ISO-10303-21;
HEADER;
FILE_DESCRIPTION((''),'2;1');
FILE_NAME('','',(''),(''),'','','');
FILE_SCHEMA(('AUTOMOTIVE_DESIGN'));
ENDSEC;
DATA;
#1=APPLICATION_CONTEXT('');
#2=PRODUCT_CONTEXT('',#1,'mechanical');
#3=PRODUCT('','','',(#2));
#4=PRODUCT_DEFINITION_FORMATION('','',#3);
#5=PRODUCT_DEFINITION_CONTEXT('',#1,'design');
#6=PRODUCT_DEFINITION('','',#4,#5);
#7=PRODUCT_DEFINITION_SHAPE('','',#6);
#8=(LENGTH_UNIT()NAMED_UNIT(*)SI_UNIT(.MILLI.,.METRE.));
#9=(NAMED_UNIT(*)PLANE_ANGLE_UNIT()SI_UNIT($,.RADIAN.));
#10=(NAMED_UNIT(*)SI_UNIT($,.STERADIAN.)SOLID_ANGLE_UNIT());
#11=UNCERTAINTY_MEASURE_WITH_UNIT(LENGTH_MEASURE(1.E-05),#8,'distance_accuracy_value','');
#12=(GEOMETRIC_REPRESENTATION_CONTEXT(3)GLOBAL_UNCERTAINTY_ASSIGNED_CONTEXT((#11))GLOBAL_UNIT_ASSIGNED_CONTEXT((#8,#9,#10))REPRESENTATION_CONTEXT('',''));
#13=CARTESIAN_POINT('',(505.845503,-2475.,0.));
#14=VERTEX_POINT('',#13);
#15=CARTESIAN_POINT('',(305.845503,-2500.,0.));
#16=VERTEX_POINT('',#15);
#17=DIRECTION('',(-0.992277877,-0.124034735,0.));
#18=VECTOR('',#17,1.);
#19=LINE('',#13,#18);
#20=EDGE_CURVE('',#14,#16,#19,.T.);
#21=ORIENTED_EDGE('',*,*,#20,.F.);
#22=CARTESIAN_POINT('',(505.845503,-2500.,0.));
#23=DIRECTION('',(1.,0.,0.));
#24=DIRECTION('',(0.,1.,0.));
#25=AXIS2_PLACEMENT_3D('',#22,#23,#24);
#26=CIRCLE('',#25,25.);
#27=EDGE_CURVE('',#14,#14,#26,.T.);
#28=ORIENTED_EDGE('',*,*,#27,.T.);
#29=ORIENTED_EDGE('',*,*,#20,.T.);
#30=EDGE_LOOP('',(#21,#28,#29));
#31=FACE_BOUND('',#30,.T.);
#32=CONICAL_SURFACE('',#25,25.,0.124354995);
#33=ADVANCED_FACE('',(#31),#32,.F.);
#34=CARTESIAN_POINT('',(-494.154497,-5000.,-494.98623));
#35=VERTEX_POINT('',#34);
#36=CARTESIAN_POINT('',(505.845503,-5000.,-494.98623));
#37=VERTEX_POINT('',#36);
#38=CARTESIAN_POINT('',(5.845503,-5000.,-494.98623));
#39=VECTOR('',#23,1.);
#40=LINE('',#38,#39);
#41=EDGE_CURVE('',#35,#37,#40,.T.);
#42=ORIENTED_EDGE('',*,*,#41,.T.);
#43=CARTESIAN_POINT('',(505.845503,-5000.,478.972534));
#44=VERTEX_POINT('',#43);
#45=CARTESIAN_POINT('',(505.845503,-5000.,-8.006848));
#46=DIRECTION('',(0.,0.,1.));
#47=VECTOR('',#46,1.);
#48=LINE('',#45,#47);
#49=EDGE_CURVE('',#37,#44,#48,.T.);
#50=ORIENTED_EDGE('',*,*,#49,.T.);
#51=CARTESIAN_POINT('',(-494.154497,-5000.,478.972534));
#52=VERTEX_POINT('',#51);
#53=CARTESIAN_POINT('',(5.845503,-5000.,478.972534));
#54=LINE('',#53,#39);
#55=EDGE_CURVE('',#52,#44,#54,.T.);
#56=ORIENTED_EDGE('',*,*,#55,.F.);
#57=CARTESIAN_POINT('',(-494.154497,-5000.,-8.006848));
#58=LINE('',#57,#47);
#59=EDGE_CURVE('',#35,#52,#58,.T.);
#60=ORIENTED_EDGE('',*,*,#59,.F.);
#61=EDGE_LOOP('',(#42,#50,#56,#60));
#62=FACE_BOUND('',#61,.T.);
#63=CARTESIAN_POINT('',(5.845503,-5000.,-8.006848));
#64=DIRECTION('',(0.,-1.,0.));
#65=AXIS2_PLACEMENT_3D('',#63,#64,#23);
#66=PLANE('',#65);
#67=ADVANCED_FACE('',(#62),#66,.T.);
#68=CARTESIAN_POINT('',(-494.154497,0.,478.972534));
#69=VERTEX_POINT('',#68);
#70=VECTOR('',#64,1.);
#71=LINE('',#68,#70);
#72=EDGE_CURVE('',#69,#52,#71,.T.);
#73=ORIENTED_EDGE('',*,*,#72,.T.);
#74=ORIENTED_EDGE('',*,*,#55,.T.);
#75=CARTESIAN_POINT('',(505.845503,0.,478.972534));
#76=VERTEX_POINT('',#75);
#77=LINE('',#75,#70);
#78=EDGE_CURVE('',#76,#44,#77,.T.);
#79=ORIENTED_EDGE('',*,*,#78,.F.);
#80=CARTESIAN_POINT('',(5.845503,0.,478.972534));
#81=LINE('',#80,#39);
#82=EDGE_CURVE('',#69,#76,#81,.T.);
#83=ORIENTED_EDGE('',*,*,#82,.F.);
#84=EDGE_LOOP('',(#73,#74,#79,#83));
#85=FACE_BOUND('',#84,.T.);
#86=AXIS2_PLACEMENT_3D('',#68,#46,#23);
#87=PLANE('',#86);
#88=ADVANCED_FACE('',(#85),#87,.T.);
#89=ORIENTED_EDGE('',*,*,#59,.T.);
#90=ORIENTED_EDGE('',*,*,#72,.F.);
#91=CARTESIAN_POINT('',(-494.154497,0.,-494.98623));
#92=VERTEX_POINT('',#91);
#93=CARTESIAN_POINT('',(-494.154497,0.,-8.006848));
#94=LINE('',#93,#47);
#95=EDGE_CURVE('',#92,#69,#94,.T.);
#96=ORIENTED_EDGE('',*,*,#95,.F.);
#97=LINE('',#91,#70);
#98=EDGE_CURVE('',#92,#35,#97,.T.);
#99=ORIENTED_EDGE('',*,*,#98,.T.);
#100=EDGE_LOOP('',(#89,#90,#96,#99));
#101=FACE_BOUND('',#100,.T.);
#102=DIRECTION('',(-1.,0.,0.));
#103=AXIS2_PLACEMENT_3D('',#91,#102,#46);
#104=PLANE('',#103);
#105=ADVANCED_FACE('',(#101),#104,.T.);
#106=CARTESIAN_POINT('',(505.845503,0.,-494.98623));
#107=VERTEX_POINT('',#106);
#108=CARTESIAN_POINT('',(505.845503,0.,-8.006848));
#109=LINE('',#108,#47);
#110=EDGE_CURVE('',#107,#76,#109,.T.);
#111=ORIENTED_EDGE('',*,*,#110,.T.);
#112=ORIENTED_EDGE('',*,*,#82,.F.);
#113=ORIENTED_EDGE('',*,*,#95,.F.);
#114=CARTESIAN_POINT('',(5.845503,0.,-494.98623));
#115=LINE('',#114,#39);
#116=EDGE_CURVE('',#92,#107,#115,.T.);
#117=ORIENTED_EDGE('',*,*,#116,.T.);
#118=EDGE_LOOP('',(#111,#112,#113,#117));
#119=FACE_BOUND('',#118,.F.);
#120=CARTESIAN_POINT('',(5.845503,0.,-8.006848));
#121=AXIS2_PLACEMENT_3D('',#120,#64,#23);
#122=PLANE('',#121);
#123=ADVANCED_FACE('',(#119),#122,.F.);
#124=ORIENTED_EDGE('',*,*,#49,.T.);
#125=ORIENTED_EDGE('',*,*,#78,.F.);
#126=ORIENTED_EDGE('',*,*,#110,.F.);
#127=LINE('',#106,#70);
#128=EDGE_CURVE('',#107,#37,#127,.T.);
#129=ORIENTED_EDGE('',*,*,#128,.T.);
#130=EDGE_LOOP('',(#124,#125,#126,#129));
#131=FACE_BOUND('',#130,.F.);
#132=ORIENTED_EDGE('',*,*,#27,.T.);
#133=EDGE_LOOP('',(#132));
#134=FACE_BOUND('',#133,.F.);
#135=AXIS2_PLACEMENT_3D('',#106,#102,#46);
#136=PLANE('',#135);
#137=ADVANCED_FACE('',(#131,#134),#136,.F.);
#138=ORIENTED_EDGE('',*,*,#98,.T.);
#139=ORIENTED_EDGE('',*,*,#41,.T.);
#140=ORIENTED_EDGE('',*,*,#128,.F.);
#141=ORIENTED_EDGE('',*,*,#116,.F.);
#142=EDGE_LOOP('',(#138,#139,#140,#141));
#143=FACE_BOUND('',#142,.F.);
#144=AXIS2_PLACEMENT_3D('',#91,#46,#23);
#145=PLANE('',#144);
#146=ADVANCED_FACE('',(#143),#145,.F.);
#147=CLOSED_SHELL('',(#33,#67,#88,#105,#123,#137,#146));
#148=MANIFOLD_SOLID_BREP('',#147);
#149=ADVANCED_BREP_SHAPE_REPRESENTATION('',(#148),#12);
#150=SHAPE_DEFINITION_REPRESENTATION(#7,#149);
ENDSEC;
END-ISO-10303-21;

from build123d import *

# Parameters (mm, degrees)
F0_W     = 1000
F0_H     = 973.958764
F1_DEPTH = 5000


with BuildPart() as f1:
    # F0 (on Front) → F1 (new body)
    with BuildSketch(Plane.XZ):
        with Locations((5.845503, -8.006848)):
            Rectangle(F0_W, F0_H)
    extrude(amount=F1_DEPTH)

    # F3 (on Top) → F4 (revolve, cut)
    with BuildSketch(Plane.XY):
        Polygon((305.845503, -2500), (505.845503, -2500), (505.845503, -2475), align=None)
    revolve(axis=Axis((405.845503, -2500, 0), (1, 0, 0)), mode=Mode.SUBTRACT)


solid = f1.part
